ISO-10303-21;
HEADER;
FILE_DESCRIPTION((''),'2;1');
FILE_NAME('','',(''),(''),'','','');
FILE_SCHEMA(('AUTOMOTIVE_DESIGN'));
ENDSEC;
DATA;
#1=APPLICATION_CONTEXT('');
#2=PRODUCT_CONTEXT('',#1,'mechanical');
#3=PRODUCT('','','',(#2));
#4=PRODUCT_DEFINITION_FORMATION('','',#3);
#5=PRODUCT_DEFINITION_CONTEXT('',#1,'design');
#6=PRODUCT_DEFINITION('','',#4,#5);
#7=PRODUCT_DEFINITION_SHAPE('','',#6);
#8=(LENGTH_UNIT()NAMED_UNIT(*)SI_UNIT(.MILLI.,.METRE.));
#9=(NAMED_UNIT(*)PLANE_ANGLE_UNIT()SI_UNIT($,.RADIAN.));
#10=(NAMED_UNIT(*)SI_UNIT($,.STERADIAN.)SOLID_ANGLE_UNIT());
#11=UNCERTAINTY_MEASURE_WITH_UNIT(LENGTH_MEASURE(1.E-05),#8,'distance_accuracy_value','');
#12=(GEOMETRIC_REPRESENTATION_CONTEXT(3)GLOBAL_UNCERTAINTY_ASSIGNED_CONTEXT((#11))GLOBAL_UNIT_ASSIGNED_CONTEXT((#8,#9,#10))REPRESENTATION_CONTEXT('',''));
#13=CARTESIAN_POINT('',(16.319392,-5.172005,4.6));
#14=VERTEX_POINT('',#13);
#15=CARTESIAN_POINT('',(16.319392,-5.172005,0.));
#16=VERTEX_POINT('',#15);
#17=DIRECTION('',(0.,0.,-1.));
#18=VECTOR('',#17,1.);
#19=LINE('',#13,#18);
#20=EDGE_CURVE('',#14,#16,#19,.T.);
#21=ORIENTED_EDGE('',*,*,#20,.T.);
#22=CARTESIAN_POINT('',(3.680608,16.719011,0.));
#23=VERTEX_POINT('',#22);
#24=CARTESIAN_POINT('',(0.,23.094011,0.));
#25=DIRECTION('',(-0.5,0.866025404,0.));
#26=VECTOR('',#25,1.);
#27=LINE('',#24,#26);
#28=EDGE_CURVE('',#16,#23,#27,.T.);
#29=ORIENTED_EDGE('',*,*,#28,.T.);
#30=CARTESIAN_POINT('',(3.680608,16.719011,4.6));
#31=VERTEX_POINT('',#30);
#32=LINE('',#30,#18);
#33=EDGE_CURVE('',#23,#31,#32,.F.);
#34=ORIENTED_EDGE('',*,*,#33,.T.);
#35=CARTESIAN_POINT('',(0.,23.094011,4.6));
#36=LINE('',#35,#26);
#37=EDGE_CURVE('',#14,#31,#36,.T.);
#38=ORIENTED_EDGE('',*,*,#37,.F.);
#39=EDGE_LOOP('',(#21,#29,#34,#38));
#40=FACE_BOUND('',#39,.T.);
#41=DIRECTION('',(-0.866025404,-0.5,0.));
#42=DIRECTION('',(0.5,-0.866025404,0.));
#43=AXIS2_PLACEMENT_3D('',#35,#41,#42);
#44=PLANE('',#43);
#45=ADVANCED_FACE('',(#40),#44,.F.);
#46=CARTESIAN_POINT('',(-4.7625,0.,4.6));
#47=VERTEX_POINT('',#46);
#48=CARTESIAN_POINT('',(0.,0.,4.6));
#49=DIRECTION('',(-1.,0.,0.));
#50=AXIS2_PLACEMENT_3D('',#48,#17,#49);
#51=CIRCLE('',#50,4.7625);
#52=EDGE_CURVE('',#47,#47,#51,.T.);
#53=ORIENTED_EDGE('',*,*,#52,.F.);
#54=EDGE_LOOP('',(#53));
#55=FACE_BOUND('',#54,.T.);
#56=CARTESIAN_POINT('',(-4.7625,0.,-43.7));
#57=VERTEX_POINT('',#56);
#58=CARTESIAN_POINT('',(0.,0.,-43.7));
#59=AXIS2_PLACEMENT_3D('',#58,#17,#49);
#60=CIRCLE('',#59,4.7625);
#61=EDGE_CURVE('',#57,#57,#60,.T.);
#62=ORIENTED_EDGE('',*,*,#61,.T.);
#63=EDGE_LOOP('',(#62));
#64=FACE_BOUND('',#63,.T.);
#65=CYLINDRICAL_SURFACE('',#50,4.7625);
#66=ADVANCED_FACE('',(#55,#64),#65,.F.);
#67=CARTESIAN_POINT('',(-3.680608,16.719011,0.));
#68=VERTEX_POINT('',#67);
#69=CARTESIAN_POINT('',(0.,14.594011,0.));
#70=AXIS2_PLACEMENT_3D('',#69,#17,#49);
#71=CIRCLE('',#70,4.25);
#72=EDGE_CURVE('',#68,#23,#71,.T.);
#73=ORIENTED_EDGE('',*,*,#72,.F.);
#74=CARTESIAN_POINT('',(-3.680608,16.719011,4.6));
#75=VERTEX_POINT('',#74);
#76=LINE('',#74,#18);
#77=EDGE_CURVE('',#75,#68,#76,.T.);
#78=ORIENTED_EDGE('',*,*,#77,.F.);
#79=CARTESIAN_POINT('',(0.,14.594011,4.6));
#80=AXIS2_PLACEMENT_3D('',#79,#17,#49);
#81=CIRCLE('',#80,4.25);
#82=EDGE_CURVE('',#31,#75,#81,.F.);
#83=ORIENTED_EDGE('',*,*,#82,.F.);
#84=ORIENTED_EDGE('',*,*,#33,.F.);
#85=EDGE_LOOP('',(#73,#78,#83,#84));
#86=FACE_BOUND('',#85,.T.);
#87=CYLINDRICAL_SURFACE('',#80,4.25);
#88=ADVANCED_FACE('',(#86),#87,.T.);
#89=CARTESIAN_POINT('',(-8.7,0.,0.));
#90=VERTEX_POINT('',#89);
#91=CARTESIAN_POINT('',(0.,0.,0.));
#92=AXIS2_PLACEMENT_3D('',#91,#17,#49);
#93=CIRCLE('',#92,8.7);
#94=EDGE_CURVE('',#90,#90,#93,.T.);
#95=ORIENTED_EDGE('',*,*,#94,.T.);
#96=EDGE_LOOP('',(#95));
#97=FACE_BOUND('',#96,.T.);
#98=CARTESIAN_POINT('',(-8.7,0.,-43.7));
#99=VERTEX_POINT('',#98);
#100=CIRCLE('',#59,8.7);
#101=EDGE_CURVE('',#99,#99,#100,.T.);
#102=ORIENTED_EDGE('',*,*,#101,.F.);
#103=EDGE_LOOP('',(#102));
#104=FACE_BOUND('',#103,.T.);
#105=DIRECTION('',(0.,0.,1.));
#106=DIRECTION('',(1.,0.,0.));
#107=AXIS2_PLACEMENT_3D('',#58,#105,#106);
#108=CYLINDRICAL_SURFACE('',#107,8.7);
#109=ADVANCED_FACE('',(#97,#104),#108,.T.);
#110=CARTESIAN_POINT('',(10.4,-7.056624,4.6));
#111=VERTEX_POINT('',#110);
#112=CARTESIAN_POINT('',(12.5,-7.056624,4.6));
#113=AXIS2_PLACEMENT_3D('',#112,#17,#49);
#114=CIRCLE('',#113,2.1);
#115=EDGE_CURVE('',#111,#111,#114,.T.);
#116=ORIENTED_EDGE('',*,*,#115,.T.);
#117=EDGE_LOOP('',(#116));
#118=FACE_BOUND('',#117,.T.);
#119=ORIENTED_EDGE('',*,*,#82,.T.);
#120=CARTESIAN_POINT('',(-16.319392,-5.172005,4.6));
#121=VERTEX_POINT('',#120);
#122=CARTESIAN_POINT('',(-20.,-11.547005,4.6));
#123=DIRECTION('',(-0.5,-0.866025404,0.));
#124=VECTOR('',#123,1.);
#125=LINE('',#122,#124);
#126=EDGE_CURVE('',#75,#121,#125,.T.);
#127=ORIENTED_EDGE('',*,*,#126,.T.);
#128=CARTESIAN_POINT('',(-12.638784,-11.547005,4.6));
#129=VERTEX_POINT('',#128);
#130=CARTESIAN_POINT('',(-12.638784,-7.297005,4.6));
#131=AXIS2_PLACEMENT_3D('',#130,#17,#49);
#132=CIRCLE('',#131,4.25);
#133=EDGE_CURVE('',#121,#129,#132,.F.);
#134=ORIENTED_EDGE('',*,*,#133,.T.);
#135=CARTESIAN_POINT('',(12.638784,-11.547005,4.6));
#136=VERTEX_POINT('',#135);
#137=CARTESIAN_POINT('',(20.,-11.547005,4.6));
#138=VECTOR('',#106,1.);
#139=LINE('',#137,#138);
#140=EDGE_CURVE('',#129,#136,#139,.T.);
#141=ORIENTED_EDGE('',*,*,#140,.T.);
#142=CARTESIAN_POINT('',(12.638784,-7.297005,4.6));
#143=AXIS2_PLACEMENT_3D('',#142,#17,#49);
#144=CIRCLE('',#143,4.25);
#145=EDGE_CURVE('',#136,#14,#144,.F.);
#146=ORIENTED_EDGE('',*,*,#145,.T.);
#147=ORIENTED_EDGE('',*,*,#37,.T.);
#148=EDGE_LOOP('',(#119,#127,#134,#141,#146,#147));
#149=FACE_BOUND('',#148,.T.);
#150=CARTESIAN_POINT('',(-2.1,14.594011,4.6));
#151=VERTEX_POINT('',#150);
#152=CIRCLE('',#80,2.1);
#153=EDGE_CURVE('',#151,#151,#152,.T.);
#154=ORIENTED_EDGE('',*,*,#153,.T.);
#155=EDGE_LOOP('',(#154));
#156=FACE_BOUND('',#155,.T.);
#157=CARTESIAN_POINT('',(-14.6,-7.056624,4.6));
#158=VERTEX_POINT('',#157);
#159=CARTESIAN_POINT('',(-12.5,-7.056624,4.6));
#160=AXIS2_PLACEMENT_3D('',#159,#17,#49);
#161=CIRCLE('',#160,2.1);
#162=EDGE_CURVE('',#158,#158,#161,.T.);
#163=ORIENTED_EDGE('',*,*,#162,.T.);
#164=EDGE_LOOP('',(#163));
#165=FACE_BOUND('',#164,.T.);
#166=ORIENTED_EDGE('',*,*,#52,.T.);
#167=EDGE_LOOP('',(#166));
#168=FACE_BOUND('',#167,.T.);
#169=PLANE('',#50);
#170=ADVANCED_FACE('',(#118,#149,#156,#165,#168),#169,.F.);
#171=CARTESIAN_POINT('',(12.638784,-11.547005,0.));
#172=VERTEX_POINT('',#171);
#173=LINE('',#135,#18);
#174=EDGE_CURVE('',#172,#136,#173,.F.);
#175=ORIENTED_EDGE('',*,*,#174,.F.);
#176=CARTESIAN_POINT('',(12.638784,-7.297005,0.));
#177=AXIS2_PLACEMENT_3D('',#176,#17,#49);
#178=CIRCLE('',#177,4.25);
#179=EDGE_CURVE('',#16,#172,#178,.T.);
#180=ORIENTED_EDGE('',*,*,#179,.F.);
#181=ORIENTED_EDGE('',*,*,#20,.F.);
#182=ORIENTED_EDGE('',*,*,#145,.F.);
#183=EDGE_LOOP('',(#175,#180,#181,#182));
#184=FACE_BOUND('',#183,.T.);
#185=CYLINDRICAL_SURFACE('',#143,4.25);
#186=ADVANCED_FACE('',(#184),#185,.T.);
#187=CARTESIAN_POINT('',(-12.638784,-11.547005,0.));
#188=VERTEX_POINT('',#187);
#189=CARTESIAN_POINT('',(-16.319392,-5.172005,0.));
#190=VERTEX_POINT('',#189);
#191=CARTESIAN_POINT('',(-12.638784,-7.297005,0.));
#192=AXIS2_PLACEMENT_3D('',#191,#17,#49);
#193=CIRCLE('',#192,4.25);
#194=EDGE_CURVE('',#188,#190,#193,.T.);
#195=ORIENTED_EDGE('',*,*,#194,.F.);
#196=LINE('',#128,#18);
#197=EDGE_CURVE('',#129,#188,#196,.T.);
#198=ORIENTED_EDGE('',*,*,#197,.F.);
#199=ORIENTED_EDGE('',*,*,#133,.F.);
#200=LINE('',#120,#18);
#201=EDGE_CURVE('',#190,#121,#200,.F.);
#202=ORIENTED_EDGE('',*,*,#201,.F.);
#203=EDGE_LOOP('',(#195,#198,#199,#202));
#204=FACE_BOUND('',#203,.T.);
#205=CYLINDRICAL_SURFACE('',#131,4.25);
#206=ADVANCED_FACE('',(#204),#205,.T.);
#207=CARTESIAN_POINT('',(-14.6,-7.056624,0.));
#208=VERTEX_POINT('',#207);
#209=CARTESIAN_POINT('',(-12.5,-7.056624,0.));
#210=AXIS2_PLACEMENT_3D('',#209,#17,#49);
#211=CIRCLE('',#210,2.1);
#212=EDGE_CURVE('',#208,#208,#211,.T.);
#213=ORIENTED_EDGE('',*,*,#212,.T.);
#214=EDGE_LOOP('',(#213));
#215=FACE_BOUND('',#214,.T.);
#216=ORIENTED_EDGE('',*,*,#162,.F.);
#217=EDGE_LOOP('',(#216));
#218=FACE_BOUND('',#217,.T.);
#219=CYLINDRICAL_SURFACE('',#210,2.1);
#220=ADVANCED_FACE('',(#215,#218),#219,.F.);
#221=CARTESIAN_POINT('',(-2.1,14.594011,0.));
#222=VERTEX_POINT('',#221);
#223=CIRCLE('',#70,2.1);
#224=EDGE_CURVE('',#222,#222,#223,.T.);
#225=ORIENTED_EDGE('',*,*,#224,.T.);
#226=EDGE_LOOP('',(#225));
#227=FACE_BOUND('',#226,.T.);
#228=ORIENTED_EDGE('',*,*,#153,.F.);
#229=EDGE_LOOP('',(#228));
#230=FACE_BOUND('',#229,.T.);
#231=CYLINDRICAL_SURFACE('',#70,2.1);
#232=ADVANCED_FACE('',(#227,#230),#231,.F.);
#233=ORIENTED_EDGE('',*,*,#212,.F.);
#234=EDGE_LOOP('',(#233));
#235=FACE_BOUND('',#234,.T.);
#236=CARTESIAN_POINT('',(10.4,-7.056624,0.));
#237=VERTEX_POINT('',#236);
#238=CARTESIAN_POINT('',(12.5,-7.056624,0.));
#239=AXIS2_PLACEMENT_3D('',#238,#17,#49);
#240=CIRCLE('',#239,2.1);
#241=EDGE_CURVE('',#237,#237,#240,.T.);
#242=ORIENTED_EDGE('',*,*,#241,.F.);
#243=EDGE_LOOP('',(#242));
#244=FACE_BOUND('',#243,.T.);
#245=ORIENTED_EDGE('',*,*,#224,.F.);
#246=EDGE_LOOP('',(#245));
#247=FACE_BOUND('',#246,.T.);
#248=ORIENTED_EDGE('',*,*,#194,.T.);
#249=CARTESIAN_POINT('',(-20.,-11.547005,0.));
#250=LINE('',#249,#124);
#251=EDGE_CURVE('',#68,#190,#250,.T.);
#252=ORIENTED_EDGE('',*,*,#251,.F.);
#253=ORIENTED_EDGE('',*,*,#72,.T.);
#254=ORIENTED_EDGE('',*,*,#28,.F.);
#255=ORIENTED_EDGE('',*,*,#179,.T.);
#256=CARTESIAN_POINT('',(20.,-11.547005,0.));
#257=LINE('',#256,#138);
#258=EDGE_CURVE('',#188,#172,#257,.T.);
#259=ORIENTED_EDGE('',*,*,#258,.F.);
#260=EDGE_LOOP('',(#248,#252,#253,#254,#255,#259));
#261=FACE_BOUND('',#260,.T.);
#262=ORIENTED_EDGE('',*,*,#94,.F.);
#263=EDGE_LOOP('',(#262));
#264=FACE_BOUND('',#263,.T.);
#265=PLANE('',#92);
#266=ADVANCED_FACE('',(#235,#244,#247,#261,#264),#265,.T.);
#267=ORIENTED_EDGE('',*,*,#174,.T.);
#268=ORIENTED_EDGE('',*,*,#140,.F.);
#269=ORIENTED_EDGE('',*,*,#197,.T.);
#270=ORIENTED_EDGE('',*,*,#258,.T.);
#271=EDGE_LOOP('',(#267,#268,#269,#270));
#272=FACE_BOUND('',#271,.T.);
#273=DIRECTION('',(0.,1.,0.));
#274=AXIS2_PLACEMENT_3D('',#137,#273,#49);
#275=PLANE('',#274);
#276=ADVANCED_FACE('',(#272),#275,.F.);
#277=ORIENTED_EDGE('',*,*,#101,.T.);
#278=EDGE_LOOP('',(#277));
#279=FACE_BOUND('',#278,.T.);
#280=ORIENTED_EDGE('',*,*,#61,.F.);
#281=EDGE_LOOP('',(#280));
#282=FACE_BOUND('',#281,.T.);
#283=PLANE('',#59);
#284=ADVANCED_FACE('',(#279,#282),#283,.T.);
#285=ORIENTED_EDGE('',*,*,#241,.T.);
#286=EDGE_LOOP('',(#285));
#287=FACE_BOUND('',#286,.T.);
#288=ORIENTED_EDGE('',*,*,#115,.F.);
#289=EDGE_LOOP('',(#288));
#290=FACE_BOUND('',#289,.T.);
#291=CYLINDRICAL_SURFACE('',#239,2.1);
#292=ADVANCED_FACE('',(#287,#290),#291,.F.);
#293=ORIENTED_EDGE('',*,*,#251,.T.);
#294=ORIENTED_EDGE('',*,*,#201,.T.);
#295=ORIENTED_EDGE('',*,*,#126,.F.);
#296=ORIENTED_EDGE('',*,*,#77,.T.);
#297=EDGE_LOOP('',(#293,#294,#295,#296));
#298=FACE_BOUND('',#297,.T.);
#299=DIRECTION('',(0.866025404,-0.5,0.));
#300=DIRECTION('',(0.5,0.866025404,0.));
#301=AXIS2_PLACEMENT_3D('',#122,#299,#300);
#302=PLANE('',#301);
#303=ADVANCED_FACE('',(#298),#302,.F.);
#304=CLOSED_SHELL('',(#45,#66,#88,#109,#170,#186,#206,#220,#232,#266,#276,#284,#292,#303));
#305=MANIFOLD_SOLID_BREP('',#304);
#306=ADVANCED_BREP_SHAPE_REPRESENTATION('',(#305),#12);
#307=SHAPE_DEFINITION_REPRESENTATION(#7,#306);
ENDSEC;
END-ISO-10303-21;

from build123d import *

# Parameters (mm, degrees)
BOSS_EXTRUDE1_DEPTH   = 4.6
M5X0_8_TAPPED_HOLE1_D = 4.2
FILLET1_R             = 4.25
SKETCH9_R             = 8.7
BOSS_EXTRUDE2_DEPTH   = 43.7
SKETCH10_R            = 4.7625
CUT_EXTRUDE1_DEPTH    = 48.3


with BuildPart() as part:
    # Sketch1 → Boss-Extrude1 (new body)
    with BuildSketch(Plane.XY):
        Polygon((0, 23.094010768), (20, -11.547005384), (-20, -11.547005384), align=None)
    extrude(amount=BOSS_EXTRUDE1_DEPTH)

    # M5x0.8 Tapped Hole1 (through all)
    with Locations(Plane(origin=(0, 0, 0), x_dir=(-1, 0, 0), z_dir=(0, 0, -1))):
        with Locations((0, 14.594010768), (-12.5, -7.056624327), (12.5, -7.056624327)):
            Hole(M5X0_8_TAPPED_HOLE1_D / 2)

    # Fillet1
    fillet1_edges = [part.edges().sort_by_distance(p)[0] for p in [
        (0, 23.094010768, 2.3),
        (20, -11.547005384, 2.3),
        (-20, -11.547005384, 2.3),
    ]]
    fillet(fillet1_edges, radius=FILLET1_R)

    # Sketch9 → Boss-Extrude2 (add)
    with BuildSketch(Plane(origin=(0, 0, 0), x_dir=(-1, 0, 0), z_dir=(0, 0, -1))):
        Circle(SKETCH9_R)
    extrude(amount=BOSS_EXTRUDE2_DEPTH)

    # Sketch10 → Cut-Extrude1 (cut)
    with BuildSketch(Plane(origin=(0, 0, -43.7), x_dir=(-1, 0, 0), z_dir=(0, 0, -1))):
        Circle(SKETCH10_R)
    extrude(amount=-CUT_EXTRUDE1_DEPTH, mode=Mode.SUBTRACT)


solid = part.part
